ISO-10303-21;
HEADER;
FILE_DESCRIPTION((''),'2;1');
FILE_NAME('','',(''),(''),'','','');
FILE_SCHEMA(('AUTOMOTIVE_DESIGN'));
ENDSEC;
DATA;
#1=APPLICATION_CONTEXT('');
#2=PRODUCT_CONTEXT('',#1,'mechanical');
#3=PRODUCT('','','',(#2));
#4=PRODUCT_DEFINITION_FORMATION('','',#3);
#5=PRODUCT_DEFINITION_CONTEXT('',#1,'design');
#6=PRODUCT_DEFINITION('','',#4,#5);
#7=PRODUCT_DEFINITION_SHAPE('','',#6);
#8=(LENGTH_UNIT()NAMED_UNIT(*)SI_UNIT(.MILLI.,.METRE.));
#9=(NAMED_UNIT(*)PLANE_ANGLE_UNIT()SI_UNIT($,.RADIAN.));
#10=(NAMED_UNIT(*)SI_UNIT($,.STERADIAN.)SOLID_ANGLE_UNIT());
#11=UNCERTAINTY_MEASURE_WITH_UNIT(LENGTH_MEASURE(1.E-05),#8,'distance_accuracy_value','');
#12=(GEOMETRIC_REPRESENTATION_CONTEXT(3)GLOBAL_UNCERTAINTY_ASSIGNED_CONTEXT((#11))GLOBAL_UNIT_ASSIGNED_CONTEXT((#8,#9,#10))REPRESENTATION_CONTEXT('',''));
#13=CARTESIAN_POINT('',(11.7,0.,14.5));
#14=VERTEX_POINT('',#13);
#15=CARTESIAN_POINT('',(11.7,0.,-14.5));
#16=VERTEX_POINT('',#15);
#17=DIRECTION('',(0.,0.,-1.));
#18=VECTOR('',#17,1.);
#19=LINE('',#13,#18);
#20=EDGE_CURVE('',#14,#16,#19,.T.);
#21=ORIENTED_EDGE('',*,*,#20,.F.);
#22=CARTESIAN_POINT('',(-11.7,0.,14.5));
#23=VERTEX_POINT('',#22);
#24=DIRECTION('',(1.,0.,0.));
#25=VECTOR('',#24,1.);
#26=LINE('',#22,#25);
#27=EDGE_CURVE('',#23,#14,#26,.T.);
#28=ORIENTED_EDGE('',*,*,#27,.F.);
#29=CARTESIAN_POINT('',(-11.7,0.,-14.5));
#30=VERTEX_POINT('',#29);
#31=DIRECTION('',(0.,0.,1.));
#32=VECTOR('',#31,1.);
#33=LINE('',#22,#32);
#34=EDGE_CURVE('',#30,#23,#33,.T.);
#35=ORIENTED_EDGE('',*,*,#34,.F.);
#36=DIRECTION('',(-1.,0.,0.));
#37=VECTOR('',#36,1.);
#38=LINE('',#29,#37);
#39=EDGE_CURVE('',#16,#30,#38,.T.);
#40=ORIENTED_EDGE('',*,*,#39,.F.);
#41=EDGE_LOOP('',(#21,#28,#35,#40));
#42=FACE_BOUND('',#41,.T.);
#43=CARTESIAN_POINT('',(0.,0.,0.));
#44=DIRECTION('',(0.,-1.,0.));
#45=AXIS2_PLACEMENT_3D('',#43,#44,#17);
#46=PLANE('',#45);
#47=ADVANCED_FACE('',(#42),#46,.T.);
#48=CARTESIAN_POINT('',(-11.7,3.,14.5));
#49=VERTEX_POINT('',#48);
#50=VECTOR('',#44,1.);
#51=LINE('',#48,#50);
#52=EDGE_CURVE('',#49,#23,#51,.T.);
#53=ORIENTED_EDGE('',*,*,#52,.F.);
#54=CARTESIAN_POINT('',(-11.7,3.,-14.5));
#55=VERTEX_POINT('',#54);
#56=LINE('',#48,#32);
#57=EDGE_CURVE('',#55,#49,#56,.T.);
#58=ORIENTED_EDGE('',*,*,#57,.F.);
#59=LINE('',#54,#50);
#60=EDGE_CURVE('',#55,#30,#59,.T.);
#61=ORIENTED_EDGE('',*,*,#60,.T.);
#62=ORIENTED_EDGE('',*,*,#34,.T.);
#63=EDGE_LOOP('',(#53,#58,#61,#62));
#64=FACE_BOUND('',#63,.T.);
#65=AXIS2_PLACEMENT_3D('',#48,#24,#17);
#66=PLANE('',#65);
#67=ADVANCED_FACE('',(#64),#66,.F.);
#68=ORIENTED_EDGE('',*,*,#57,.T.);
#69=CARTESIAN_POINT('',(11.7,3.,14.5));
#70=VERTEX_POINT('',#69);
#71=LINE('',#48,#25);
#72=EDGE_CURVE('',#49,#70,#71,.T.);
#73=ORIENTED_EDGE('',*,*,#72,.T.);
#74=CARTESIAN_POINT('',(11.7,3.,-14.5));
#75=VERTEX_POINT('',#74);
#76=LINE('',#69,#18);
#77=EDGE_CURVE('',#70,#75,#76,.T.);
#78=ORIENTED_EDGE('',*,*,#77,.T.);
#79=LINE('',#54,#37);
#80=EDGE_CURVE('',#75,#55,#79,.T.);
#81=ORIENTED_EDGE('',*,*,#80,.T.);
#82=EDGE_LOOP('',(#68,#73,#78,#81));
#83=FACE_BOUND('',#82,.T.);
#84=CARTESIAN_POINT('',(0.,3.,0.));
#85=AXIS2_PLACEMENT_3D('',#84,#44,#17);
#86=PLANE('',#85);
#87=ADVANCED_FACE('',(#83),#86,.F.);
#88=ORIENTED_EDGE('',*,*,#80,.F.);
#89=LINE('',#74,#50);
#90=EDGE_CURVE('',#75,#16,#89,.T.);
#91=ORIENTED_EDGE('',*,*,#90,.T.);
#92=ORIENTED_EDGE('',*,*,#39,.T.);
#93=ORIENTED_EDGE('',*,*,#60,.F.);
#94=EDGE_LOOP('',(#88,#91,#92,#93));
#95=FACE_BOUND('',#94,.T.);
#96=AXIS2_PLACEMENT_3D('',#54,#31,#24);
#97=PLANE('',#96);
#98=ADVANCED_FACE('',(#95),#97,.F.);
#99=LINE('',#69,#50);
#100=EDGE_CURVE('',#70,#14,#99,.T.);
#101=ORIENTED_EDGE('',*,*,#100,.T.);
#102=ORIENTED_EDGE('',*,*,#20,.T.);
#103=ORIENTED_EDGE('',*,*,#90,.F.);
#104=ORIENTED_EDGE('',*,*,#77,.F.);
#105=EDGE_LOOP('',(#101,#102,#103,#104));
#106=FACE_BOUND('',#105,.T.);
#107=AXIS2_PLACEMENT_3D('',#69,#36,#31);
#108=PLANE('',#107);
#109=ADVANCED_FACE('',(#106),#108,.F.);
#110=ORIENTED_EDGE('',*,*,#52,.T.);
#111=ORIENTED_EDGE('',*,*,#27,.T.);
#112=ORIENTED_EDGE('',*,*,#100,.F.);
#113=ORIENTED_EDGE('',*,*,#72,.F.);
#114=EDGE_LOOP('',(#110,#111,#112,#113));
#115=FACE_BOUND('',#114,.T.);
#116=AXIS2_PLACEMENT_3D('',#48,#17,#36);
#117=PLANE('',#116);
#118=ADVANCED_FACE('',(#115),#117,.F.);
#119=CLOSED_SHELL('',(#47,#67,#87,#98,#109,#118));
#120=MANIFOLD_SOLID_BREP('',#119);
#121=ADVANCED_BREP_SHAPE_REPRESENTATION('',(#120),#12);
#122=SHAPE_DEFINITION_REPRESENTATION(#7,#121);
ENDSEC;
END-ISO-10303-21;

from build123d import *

# Parameters (mm, degrees)
BOSS_EXTRUDE1_DEPTH   = 3
BOSS_EXTRUDE1_2_DEPTH = 3
SKETCH1_W             = 23.4
SKETCH1_H             = 29
BOSS_EXTRUDE1_3_DEPTH = 3
SKETCH5_R             = 1.44
CUT_EXTRUDE3_DEPTH    = 10
CUT_EXTRUDE4_DEPTH    = 10
SKETCH9_R             = 3.026992654
BOSS_EXTRUDE3_DEPTH   = 3


with BuildPart() as part:
    # Sketch1 → Boss-Extrude1 (new body)
    with BuildSketch(Plane(origin=(0, 0, 0), x_dir=(1, 0, 0), z_dir=(0, 1, 0))):
        with BuildLine():
            add(Edge.make_bspline(
                [(19.180993887, -14.242526212), (19.80083761, -12.341053413), (17.899318471, -11.721194585), (17.279474749, -13.622667384), (16.659631026, -15.524140184), (18.561150164, -16.143999012), (19.180993887, -14.242526212)],
                knots=[0, 0, 0, 0, 0.5, 0.5, 0.5, 1, 1, 1, 1], degree=3, weights=[1, 0.333333333, 0.333333333, 1, 0.333333333, 0.333333333, 1]))
        make_face()
    extrude(amount=BOSS_EXTRUDE1_DEPTH)


with BuildPart() as body_2:
    # Sketch1 → Boss-Extrude1 2 (new body)
    with BuildSketch(Plane(origin=(0, 0, 0), x_dir=(1, 0, 0), z_dir=(0, 1, 0))):
        with BuildLine():
            add(Edge.make_bspline(
                [(22.488505608, -4.096188772), (23.108349331, -2.194715972), (21.206830193, -1.574857144), (20.58698647, -3.476329943), (19.967142747, -5.377802743), (21.868661885, -5.997661571), (22.488505608, -4.096188772)],
                knots=[0, 0, 0, 0, 0.5, 0.5, 0.5, 1, 1, 1, 1], degree=3, weights=[1, 0.333333333, 0.333333333, 1, 0.333333333, 0.333333333, 1]))
        make_face()
    extrude(amount=BOSS_EXTRUDE1_2_DEPTH)


with BuildPart() as body_3:
    # Sketch1 → Boss-Extrude1 3 (new body)
    with BuildSketch(Plane(origin=(0, 0, 0), x_dir=(1, 0, 0), z_dir=(0, 1, 0))):
        Rectangle(SKETCH1_W, SKETCH1_H)
    extrude(amount=BOSS_EXTRUDE1_3_DEPTH)

    # Sketch5 → Cut-Extrude3 (cut)
    with BuildSketch(Plane.XZ):
        with Locations(Location((-2.145634177, 3.61037734, 0), (0, 0, 270))):
            Circle(SKETCH5_R)
    extrude(amount=-CUT_EXTRUDE3_DEPTH, mode=Mode.SUBTRACT)

    # Sketch9 → Boss-Extrude3 (add)
    with BuildSketch(Plane(origin=(0, 3, 0), x_dir=(1, 0, 0), z_dir=(0, 1, 0))):
        with Locations((-2.145634177, -3.61037734)):
            Circle(SKETCH9_R)
    extrude(amount=-BOSS_EXTRUDE3_DEPTH)


with BuildPart() as cut_extrude4_tool:
    # Sketch7 → Cut-Extrude4 (new body)
    with BuildSketch(Plane(origin=(0, 3, 0), x_dir=(1, 0, 0), z_dir=(0, 1, 0))):
        with BuildLine():
            add(Edge.make_bspline(
                [(19.180993887, -14.242526212), (19.80083761, -12.341053413), (17.899318471, -11.721194585), (17.279474749, -13.622667384), (16.659631026, -15.524140184), (18.561150164, -16.143999012), (19.180993887, -14.242526212)],
                knots=[0, 0, 0, 0, 0.5, 0.5, 0.5, 1, 1, 1, 1], degree=3, weights=[1, 0.333333333, 0.333333333, 1, 0.333333333, 0.333333333, 1]))
        make_face()
        with BuildLine():
            add(Edge.make_bspline(
                [(22.488505608, -4.096188772), (23.108349331, -2.194715972), (21.206830193, -1.574857144), (20.58698647, -3.476329943), (19.967142747, -5.377802743), (21.868661885, -5.997661571), (22.488505608, -4.096188772)],
                knots=[0, 0, 0, 0, 0.5, 0.5, 0.5, 1, 1, 1, 1], degree=3, weights=[1, 0.333333333, 0.333333333, 1, 0.333333333, 0.333333333, 1]))
        make_face()
    extrude(amount=-CUT_EXTRUDE4_DEPTH)


with BuildPart() as part_1:
    add(part.part)

    # Cut-Extrude4: cut by cut_extrude4_tool
    add(cut_extrude4_tool.part, mode=Mode.SUBTRACT)


with BuildPart() as body_2_1:
    add(body_2.part)

    # Cut-Extrude4: cut by cut_extrude4_tool
    add(cut_extrude4_tool.part, mode=Mode.SUBTRACT)


solid = body_3.part
